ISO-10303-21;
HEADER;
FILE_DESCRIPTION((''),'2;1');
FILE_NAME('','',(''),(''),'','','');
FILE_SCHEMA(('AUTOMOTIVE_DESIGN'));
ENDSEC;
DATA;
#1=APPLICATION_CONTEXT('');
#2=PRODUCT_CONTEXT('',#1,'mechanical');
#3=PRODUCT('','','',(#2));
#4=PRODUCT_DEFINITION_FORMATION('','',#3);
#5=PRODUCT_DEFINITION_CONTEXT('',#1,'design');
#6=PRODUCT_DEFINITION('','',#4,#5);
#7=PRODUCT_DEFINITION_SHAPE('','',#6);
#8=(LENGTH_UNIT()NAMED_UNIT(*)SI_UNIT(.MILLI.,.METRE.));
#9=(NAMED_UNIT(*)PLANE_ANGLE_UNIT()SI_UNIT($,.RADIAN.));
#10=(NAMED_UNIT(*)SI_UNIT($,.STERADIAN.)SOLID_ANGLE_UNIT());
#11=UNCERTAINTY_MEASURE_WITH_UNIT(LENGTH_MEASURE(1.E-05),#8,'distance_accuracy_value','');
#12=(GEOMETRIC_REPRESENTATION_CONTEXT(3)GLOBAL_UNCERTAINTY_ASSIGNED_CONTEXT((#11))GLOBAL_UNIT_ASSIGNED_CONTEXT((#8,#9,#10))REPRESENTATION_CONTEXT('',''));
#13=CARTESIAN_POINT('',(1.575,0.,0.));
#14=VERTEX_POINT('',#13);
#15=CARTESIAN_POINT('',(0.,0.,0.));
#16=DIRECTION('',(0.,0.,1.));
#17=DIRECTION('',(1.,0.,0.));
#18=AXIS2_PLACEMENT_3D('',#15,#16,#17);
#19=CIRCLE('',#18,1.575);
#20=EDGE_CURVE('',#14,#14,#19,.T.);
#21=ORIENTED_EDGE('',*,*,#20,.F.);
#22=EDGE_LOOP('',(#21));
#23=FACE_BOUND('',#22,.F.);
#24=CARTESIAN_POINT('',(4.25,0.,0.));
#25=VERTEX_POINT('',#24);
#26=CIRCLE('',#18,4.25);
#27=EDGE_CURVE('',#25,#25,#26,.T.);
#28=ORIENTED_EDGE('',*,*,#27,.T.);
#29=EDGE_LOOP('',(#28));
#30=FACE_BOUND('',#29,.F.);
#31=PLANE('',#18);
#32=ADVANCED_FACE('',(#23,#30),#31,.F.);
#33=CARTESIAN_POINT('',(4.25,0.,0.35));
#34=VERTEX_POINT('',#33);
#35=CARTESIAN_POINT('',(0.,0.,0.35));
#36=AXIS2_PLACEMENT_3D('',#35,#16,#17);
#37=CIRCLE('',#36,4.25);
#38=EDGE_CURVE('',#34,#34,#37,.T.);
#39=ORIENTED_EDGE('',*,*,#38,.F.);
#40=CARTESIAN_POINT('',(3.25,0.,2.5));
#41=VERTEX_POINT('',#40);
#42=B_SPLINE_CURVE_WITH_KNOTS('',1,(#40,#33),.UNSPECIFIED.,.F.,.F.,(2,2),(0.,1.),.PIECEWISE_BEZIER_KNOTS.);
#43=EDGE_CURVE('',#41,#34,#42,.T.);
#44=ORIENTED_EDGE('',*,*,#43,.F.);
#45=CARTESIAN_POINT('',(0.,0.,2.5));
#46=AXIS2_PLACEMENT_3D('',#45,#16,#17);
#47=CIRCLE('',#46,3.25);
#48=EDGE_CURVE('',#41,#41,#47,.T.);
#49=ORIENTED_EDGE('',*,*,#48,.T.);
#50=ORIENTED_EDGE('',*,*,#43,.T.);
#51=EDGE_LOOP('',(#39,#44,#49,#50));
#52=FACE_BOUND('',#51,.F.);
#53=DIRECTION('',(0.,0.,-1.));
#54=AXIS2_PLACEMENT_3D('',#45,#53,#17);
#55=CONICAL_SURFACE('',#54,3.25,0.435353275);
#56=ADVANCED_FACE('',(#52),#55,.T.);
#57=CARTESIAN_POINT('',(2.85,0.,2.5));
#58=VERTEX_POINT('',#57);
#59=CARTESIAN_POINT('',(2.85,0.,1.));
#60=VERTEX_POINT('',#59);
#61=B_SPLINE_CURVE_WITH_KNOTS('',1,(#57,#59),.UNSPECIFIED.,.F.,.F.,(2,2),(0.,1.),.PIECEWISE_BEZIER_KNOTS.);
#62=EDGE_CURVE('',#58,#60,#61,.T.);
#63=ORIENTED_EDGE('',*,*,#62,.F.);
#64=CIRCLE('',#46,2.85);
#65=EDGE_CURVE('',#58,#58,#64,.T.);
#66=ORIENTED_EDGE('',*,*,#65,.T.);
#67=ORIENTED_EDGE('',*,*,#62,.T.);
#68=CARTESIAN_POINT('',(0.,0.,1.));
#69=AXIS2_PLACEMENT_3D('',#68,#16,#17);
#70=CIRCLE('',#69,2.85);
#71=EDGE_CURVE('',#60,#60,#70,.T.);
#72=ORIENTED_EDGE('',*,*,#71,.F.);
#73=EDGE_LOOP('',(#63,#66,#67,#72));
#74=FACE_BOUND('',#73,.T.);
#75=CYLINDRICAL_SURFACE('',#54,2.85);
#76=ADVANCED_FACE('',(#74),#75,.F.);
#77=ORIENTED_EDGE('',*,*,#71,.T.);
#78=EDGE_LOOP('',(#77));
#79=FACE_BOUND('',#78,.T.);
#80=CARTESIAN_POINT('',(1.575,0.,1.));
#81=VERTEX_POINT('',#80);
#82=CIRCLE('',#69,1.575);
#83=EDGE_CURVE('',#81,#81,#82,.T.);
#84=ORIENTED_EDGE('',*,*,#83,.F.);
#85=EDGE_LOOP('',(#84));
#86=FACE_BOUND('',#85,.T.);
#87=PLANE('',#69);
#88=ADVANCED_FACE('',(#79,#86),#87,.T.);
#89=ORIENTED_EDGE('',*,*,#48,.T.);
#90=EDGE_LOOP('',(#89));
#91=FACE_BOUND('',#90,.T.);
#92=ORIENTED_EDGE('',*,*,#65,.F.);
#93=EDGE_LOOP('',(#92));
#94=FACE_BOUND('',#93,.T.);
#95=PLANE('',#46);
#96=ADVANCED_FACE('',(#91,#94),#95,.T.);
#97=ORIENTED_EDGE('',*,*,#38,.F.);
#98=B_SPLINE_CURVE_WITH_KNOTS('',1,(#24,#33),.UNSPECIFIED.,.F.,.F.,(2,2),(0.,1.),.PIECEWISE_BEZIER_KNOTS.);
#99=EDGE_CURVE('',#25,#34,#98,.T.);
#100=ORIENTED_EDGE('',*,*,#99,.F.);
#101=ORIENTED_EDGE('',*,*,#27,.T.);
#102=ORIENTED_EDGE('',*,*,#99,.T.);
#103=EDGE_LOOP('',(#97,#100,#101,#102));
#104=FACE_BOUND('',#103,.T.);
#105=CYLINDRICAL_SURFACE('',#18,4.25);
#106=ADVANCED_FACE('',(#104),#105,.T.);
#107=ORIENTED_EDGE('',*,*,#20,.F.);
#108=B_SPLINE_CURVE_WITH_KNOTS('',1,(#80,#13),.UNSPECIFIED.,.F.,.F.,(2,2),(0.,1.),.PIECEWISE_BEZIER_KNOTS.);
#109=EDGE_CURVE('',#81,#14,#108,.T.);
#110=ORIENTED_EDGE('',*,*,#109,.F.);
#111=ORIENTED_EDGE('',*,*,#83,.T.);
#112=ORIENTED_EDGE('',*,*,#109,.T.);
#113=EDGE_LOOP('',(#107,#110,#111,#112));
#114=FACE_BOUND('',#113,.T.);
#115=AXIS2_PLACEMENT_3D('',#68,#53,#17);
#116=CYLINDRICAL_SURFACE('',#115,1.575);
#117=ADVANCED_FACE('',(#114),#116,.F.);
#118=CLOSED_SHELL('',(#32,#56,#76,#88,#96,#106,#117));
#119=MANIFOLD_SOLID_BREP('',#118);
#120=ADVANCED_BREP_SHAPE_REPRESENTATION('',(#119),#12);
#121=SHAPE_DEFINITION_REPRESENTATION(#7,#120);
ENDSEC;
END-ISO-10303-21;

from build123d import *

# Parameters (mm, degrees)
F7_R  = 4.25
F8_R  = 4.25
F10_R = 3.25
F9_R  = 2.85
F11_R = 2.85
F13_R = 1.575
F12_R = 1.575


with BuildPart() as f14:
    # F7 (on Top) → F14 section 0
    with BuildSketch(Plane.XY):
        Circle(F7_R)
    # F8 (on offset) → F14 section 1
    with BuildSketch(Plane.XY.offset(0.35)):
        Circle(F8_R)
    loft()

    # F10 (on offset) → F15 section 0
    with BuildSketch(Plane.XY.offset(2.5)):
        Circle(F10_R)
    # F8 (on offset) → F15 section 1
    with BuildSketch(Plane.XY.offset(0.35)):
        Circle(F8_R)
    loft()

    # F9 (on offset) → F16 section 0
    with BuildSketch(Plane.XY.offset(2.5)):
        Circle(F9_R)
    # F11 (on offset) → F16 section 1
    with BuildSketch(Plane.XY.offset(1)):
        Circle(F11_R)
    loft(mode=Mode.SUBTRACT)

    # F13 (on offset) → F17 section 0
    with BuildSketch(Plane.XY.offset(1)):
        Circle(F13_R)
    # F12 (on Top) → F17 section 1
    with BuildSketch(Plane.XY):
        Circle(F12_R)
    loft(mode=Mode.SUBTRACT)


solid = f14.part
